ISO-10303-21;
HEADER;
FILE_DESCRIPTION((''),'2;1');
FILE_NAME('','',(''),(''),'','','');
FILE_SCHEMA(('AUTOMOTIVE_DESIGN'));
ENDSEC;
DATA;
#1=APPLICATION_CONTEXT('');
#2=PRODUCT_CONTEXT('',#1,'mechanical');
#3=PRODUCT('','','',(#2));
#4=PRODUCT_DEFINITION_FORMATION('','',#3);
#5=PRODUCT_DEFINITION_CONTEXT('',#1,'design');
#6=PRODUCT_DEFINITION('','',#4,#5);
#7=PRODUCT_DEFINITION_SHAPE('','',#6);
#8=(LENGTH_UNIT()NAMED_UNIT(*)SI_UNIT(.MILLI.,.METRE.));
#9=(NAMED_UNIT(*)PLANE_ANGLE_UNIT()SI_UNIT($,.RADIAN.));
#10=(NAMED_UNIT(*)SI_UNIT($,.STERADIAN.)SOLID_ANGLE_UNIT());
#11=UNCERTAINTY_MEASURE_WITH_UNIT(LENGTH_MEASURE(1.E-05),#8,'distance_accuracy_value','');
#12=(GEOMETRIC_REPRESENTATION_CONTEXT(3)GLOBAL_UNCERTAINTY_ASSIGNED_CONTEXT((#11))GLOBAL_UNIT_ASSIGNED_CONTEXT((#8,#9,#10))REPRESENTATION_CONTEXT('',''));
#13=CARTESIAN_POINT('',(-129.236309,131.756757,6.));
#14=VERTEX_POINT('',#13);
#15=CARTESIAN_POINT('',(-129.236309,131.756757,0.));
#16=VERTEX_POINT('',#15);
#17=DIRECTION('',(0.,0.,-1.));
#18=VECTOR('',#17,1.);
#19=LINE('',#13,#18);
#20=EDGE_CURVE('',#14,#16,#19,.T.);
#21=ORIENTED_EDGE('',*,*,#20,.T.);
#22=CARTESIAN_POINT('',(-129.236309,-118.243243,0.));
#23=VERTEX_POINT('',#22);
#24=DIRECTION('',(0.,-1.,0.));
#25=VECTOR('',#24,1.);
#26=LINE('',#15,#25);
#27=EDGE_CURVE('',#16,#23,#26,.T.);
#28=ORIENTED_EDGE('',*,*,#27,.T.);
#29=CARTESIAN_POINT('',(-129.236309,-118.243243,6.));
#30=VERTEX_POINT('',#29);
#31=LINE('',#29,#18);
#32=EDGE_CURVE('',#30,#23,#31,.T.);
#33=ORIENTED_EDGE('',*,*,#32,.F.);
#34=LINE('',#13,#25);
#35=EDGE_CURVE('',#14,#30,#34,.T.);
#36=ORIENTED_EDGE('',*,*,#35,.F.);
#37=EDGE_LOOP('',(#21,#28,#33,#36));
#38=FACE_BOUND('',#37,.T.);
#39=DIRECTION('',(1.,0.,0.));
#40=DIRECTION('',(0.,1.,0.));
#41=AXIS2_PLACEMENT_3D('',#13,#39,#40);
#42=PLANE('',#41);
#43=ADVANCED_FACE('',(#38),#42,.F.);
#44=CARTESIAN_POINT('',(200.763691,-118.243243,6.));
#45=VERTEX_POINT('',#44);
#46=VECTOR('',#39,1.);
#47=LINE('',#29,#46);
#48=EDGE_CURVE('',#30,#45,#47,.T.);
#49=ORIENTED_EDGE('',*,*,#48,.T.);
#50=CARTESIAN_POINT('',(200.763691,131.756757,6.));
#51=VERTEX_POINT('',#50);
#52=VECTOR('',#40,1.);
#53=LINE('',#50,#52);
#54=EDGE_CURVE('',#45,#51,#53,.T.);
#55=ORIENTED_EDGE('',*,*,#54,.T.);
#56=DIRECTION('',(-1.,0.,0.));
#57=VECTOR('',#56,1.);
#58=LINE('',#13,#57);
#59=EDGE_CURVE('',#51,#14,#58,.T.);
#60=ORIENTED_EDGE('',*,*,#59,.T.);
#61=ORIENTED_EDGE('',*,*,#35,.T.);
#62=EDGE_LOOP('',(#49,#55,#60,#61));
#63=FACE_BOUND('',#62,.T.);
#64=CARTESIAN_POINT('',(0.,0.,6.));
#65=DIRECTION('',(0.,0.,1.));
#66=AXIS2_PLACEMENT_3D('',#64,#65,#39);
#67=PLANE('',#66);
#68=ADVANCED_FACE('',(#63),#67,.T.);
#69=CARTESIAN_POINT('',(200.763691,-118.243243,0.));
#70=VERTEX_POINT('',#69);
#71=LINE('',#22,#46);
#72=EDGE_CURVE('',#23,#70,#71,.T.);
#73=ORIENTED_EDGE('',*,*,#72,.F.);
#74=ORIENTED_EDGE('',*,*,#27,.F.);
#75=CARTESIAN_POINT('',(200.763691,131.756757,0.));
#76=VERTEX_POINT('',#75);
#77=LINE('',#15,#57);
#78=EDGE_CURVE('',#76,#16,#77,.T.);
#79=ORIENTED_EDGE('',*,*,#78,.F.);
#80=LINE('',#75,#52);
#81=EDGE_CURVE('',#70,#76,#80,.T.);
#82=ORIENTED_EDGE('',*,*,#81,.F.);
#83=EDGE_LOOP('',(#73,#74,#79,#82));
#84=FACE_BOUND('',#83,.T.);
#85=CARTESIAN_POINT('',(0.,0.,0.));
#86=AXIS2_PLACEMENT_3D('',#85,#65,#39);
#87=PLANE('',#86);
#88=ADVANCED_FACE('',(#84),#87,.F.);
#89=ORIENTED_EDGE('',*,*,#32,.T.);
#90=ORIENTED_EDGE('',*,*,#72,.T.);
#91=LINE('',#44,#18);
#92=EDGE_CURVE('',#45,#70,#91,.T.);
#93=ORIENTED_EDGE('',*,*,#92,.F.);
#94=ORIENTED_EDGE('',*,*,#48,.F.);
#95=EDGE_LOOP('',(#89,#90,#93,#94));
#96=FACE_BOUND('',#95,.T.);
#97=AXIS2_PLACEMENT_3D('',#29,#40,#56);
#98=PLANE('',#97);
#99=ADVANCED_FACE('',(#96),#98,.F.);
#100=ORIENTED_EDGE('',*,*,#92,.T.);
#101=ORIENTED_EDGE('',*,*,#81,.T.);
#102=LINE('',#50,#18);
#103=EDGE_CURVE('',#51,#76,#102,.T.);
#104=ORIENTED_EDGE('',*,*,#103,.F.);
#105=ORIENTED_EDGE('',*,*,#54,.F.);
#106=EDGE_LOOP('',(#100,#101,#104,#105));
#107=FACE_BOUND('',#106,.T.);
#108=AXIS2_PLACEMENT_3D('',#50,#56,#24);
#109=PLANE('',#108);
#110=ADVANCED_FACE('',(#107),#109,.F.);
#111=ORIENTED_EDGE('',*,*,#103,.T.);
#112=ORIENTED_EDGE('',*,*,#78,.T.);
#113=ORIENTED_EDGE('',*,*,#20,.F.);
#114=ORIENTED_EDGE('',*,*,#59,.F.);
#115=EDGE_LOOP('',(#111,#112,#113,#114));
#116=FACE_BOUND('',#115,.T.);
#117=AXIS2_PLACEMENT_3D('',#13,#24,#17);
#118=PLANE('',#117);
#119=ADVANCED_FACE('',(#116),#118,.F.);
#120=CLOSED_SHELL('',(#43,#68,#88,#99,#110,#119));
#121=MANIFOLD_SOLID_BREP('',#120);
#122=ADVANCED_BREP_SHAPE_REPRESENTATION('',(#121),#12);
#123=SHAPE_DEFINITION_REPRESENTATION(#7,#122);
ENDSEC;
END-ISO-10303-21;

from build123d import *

# Parameters (mm, degrees)
ESQUISSE1_W        = 330
ESQUISSE1_H        = 250
BOSS_EXTRU_1_DEPTH = 6


with BuildPart() as part:
    # Esquisse1 → Boss.-Extru.1 (new body)
    with BuildSketch(Plane.XY):
        with Locations((35.763691323, 6.756756757)):
            Rectangle(ESQUISSE1_W, ESQUISSE1_H)
    extrude(amount=BOSS_EXTRU_1_DEPTH)


solid = part.part
